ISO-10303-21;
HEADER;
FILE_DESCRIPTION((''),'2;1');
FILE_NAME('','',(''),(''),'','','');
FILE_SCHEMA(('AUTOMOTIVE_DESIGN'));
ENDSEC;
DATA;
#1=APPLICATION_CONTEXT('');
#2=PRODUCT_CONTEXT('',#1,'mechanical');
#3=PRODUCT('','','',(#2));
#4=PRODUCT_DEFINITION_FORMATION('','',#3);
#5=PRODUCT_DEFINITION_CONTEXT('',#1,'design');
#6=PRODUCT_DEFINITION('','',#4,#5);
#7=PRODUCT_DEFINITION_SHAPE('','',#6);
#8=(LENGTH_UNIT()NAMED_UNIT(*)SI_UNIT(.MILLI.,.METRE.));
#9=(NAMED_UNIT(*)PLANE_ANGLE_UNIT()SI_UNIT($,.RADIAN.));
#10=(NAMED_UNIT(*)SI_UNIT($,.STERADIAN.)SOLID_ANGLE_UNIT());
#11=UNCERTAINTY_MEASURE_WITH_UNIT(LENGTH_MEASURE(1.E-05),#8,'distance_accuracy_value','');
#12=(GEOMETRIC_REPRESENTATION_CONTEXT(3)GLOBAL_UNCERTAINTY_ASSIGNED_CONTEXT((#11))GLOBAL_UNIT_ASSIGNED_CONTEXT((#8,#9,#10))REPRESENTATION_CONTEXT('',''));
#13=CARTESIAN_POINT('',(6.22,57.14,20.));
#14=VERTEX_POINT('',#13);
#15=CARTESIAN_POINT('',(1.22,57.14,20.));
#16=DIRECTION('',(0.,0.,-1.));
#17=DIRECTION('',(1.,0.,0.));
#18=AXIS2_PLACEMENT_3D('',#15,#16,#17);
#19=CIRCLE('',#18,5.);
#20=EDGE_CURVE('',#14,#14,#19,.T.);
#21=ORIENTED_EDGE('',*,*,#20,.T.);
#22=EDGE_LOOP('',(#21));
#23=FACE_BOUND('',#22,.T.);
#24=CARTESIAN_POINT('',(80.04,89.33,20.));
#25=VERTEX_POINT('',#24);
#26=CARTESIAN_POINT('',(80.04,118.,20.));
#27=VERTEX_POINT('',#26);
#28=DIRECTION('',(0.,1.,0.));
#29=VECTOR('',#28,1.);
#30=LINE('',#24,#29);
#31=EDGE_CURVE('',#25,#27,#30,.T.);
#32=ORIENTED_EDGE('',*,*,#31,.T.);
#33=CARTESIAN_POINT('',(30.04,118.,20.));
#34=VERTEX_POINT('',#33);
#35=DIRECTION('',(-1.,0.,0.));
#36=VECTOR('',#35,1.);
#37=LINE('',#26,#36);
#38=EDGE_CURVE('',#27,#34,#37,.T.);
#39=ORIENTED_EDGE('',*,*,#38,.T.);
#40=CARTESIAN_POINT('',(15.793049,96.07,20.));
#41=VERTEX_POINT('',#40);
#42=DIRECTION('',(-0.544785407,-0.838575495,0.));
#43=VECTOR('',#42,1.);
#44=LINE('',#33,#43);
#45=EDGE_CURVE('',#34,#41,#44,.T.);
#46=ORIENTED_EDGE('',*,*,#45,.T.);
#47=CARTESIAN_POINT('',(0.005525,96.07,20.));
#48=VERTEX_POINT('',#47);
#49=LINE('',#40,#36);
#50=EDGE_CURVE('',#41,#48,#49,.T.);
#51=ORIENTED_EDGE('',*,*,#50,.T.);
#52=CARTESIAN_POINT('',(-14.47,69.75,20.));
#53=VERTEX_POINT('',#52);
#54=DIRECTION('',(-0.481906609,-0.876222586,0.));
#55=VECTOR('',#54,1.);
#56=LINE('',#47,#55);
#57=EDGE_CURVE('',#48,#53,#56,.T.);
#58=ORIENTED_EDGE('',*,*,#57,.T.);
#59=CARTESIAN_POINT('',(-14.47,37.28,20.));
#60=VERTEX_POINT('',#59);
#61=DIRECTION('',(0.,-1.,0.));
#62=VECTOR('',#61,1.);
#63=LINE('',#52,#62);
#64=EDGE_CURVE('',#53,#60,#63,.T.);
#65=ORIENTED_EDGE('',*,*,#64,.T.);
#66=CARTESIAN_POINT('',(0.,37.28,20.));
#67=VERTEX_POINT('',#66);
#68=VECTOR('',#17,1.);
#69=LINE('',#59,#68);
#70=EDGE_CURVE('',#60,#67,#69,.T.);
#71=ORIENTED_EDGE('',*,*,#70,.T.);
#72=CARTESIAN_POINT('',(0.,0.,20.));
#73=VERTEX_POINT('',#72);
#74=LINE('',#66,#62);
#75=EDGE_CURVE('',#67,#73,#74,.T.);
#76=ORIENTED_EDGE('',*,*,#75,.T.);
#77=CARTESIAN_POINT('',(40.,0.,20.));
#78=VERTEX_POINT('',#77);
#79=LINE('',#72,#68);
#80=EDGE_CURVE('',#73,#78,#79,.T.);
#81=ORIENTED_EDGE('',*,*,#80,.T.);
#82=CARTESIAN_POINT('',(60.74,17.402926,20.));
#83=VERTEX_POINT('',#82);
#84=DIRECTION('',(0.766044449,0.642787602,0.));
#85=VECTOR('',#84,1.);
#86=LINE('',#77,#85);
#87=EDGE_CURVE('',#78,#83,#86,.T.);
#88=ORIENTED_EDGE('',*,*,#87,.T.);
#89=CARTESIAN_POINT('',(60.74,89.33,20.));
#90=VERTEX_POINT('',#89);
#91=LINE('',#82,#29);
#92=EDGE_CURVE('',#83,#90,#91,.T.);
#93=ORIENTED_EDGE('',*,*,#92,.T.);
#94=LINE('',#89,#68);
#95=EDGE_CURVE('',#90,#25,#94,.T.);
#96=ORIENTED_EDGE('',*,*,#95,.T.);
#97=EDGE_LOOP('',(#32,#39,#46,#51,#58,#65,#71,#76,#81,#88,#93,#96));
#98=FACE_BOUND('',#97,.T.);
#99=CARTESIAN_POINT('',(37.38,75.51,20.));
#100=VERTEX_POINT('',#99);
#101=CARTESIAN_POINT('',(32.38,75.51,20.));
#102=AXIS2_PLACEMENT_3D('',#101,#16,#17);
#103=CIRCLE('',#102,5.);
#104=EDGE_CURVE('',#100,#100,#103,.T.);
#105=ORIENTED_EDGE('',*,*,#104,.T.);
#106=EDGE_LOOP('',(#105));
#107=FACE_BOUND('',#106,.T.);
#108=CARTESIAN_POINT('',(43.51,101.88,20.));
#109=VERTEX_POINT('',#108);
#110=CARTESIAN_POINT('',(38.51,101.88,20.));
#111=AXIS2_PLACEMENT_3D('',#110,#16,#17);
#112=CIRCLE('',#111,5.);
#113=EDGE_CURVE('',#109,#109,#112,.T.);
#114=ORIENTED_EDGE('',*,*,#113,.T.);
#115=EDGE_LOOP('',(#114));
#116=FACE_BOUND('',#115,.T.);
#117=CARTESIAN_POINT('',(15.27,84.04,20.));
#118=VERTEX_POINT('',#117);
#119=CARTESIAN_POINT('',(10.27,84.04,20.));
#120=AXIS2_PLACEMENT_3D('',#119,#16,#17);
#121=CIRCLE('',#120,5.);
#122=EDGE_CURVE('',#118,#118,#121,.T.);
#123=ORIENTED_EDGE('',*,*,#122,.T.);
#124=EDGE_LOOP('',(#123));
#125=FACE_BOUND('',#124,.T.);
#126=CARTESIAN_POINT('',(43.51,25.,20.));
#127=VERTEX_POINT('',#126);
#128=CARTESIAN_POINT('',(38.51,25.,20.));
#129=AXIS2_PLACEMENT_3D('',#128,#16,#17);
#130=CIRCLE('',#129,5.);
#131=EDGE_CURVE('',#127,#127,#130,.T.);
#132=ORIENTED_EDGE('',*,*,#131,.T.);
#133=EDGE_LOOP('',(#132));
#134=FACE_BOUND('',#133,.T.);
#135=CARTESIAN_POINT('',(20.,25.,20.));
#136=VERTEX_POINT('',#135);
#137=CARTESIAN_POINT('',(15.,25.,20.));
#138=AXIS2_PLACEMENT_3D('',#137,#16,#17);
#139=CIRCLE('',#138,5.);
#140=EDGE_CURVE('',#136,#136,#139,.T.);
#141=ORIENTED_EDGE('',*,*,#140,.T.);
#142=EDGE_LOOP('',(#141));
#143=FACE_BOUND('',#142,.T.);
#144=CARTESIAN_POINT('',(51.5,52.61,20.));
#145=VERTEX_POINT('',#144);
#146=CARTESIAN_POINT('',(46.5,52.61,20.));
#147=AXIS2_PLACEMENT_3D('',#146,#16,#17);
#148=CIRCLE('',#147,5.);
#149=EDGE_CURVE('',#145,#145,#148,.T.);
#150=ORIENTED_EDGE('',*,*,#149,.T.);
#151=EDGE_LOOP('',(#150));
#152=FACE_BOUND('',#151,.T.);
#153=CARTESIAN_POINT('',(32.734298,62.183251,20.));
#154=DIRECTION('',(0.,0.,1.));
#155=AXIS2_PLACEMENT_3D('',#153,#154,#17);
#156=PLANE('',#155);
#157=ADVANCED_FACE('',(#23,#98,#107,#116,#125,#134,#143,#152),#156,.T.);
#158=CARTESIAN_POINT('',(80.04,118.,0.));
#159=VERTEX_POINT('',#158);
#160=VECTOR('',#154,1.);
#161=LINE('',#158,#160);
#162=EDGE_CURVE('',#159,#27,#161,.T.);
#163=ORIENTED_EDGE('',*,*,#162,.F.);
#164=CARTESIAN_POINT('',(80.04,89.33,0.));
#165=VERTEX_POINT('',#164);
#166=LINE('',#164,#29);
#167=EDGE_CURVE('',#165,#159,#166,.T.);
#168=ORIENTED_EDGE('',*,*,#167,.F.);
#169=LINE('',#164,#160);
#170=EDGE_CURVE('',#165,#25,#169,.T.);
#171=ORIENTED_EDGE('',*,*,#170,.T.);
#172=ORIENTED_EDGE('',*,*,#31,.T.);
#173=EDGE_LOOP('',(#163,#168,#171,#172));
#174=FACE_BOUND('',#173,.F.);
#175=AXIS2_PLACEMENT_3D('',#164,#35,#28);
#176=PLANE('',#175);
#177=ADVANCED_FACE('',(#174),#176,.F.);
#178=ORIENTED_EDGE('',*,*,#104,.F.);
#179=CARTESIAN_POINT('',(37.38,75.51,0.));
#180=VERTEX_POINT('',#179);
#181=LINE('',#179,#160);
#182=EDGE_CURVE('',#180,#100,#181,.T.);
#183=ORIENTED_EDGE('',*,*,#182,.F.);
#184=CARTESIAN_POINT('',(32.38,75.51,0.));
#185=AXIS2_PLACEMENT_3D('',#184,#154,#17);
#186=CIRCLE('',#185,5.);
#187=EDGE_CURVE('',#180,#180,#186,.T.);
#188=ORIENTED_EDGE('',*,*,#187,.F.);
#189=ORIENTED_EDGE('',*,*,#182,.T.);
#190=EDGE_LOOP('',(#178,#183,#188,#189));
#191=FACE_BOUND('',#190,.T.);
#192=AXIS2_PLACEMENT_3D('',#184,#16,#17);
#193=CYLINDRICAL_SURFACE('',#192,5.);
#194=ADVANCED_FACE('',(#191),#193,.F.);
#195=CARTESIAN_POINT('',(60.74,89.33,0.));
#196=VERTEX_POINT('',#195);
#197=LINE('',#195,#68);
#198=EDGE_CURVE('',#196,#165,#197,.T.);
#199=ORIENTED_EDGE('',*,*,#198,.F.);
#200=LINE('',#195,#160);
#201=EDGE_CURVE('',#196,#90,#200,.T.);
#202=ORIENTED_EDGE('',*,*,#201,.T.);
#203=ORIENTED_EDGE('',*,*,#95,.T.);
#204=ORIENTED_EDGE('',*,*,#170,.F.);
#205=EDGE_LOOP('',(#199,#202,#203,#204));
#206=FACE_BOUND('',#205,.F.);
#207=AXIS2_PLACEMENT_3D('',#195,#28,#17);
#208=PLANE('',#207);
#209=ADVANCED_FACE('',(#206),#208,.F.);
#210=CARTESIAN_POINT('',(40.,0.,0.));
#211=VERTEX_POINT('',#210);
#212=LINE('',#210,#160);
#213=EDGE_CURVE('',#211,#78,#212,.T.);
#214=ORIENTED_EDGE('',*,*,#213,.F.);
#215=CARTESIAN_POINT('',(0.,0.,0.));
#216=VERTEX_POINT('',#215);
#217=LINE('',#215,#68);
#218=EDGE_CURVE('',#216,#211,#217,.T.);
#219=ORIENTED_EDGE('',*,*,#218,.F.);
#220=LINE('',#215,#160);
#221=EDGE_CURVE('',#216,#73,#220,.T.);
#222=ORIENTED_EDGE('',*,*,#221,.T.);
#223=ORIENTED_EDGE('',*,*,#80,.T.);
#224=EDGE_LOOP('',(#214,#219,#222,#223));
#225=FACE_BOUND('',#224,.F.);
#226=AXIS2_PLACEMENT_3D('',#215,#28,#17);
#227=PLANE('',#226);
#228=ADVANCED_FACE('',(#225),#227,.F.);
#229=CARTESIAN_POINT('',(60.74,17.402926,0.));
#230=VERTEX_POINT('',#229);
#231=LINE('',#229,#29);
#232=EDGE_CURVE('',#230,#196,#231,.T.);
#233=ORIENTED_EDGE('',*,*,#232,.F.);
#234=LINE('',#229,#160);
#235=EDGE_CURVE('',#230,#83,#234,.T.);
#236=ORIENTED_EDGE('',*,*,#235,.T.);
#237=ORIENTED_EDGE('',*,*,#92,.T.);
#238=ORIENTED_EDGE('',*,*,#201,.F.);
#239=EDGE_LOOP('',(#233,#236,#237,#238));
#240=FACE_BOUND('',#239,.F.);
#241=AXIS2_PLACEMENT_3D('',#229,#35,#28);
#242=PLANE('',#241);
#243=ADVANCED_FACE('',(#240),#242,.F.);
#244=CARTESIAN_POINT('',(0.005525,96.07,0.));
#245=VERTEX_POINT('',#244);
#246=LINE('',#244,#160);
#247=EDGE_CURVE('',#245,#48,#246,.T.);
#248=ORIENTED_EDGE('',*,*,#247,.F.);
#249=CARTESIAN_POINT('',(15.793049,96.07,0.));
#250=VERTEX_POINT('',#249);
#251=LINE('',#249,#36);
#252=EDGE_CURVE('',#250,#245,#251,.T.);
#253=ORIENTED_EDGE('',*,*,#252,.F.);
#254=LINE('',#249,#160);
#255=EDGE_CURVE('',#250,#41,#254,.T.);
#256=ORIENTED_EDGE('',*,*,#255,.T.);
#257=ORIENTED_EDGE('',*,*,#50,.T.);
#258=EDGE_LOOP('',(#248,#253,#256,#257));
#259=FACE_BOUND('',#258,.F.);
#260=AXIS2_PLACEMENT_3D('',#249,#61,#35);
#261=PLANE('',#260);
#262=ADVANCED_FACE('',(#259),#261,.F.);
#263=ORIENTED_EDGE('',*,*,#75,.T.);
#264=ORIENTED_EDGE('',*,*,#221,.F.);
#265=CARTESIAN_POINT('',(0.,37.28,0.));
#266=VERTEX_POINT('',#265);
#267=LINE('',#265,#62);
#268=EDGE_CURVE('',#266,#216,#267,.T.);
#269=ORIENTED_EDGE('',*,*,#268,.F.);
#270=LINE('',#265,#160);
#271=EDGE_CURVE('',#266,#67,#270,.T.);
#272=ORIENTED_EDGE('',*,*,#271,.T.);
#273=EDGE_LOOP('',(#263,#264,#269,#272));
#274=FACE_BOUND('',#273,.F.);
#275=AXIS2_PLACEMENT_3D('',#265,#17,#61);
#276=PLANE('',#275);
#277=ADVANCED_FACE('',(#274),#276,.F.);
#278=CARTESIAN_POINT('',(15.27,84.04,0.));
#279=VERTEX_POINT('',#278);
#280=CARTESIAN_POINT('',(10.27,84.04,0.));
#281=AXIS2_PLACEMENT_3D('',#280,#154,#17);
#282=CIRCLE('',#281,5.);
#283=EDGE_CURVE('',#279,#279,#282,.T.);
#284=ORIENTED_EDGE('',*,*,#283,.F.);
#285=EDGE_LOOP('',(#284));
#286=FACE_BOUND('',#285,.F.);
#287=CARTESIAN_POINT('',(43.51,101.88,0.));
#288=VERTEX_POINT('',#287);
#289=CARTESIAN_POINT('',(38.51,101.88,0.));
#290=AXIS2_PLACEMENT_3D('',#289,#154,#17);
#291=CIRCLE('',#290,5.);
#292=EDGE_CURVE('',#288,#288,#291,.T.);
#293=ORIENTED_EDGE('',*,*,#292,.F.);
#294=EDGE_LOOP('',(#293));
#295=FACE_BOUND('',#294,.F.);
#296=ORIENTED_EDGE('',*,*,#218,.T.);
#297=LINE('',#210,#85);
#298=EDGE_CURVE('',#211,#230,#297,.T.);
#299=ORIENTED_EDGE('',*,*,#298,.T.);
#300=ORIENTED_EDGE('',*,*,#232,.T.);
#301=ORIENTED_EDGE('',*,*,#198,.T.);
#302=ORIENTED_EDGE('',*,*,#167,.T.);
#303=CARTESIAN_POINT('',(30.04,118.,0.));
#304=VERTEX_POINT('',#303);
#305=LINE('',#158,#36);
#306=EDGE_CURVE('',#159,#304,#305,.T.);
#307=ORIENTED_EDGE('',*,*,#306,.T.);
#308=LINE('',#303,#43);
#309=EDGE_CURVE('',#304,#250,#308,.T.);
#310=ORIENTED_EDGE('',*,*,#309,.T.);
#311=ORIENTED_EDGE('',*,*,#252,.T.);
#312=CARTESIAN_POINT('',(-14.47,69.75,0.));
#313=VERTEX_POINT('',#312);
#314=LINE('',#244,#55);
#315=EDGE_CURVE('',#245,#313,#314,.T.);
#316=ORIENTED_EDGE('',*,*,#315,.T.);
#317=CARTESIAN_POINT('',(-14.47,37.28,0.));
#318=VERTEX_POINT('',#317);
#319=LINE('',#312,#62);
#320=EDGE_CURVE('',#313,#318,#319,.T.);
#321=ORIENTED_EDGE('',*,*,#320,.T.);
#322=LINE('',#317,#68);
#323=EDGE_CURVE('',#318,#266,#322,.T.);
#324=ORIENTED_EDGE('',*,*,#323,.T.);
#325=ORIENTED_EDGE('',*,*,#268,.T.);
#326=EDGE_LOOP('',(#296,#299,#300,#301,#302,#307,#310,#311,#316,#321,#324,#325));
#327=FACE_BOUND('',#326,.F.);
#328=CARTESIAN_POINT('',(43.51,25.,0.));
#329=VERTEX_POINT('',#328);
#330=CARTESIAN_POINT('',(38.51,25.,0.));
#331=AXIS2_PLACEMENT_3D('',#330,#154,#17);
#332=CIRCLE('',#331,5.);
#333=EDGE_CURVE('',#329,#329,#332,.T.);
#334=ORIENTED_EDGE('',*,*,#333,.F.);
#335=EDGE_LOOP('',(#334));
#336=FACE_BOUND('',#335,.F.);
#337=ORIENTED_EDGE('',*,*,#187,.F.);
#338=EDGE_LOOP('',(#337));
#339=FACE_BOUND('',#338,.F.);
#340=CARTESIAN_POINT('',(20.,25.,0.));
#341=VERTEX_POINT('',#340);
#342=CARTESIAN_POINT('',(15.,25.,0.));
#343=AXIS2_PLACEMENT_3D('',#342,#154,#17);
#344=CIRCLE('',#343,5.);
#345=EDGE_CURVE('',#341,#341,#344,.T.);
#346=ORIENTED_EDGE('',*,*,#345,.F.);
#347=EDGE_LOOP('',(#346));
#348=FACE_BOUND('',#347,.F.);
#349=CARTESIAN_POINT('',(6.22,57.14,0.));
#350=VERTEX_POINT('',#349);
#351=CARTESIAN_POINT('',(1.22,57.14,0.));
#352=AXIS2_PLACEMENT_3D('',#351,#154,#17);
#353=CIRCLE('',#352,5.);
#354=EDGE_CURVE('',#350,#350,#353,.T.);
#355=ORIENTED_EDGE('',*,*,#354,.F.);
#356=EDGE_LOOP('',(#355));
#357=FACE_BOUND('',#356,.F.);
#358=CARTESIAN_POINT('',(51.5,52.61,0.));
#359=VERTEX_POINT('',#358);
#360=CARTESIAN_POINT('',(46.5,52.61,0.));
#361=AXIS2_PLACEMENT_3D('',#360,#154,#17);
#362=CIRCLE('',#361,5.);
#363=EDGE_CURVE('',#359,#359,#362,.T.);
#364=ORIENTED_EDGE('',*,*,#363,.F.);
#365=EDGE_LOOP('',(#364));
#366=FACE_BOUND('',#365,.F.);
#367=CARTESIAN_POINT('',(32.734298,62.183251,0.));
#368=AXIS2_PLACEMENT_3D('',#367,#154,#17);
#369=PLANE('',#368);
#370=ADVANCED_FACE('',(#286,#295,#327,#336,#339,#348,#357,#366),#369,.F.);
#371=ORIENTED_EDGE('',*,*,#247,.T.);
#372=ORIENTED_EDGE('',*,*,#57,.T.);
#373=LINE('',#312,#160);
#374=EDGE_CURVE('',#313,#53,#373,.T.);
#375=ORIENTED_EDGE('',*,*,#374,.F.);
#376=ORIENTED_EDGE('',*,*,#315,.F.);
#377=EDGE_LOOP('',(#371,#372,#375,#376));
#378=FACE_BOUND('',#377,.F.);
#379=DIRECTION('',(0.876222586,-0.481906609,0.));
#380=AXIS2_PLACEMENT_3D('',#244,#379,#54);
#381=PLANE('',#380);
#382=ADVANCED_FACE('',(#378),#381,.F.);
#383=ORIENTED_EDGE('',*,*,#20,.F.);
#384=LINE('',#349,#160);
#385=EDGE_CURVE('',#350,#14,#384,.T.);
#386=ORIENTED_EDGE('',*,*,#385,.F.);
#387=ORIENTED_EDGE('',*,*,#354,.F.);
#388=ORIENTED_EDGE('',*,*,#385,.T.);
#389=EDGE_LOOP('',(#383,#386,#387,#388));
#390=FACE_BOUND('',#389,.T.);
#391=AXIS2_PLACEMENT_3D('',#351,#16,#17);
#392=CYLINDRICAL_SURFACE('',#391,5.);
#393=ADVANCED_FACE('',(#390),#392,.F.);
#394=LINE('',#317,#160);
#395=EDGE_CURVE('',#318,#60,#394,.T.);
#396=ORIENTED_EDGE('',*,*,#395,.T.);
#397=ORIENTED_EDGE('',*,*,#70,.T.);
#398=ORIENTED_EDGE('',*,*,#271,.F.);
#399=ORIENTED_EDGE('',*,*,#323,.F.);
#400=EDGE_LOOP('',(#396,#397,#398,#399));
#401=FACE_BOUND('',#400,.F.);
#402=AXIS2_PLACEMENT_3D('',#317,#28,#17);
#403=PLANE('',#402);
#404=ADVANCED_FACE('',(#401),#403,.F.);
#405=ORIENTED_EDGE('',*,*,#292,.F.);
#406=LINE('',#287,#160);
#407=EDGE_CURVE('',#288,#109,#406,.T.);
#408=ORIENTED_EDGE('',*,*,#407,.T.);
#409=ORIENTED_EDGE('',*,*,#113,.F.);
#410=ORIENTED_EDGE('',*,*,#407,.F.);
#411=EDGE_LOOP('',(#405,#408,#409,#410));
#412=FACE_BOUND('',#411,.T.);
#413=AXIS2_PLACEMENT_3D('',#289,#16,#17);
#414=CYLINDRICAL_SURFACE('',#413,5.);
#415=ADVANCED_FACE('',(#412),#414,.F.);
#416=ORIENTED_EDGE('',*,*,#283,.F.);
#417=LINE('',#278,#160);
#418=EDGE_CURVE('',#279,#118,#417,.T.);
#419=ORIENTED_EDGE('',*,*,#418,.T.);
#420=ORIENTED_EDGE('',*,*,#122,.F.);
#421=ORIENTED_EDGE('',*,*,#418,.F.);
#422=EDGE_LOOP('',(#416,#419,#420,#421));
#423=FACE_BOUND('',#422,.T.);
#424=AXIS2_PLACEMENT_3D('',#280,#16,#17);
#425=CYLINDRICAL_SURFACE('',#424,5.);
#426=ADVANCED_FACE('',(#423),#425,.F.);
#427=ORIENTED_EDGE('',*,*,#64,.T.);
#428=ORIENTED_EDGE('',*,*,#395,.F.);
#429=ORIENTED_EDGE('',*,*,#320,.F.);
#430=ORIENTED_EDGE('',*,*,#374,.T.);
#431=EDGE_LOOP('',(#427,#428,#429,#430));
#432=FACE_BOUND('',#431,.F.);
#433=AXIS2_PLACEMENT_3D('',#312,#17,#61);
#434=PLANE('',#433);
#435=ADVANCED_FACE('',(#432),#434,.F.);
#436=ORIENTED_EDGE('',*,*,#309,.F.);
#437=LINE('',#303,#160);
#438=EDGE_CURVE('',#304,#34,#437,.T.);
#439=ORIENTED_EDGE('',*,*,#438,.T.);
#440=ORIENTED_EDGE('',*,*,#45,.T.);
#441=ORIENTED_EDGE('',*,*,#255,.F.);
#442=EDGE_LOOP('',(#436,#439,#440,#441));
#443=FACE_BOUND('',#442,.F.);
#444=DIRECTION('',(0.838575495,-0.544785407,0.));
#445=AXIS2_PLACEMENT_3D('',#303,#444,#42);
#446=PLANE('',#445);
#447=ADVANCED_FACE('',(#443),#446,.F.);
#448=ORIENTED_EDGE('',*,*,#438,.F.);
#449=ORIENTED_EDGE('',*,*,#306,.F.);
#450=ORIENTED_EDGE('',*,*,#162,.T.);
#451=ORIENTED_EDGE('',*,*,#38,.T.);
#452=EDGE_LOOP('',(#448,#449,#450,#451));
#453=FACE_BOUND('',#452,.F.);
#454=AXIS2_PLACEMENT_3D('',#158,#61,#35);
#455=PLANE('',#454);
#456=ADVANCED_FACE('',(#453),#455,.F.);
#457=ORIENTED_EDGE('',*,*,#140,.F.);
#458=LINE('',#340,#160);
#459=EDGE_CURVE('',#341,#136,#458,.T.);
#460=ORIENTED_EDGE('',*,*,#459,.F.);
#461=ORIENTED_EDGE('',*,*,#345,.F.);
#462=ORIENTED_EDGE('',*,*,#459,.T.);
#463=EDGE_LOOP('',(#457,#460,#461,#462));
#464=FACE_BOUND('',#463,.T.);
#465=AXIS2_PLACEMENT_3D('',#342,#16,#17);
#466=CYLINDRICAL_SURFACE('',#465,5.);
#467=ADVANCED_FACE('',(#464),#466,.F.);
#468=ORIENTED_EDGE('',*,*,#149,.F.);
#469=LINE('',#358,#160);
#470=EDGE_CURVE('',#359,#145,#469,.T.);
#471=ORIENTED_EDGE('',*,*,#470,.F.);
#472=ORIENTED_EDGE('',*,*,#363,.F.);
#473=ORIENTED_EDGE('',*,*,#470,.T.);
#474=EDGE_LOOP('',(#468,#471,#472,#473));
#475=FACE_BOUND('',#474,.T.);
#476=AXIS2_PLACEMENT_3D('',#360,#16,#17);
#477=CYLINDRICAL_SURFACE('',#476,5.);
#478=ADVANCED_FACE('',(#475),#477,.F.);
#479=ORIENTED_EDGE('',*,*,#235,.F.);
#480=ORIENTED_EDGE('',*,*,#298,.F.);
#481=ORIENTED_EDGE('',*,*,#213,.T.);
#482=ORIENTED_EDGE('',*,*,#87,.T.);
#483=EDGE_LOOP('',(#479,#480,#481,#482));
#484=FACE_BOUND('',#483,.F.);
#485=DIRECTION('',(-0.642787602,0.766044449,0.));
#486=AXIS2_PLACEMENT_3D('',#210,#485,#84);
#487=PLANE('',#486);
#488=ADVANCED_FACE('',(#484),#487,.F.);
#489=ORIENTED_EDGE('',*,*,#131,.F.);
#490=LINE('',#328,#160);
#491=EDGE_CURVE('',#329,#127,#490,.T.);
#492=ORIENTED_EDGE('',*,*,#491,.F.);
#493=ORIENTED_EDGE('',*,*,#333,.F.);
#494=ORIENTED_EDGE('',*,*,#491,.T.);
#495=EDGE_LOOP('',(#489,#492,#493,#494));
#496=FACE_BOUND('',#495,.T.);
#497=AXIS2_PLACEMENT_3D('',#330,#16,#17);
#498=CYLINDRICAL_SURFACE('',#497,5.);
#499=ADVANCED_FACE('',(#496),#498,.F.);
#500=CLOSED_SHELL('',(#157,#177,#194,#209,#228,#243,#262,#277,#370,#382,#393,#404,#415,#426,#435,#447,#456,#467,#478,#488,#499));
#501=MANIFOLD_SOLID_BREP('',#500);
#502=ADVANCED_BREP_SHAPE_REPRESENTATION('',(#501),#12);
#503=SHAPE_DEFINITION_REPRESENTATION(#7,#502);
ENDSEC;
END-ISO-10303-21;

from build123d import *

# Parameters (mm, degrees)
F1_DEPTH = 20
F2_R     = 5
F3_DEPTH = 20.001


with BuildPart() as f1:
    # F0 (on Top) → F1 (new body)
    with BuildSketch(Plane.XY):
        Polygon((0, 37.28), (0, 0), (40, 0), (60.74, 17.402926), (60.74, 89.33), (80.04, 89.33), (80.04, 118), (30.04, 118), (15.793049, 96.07), (0.005525, 96.07), (-14.47, 69.75), (-14.47, 37.28), align=None)
    extrude(amount=F1_DEPTH)

    # F2 (on Top) → F3 (cut, through all)
    with BuildSketch(Plane.XY):
        with Locations((15, 25)):
            Circle(F2_R)
        with Locations((38.51, 25)):
            Circle(F2_R)
        with Locations((46.5, 52.61)):
            Circle(F2_R)
        with Locations((1.22, 57.14)):
            Circle(F2_R)
        with Locations((32.38, 75.51)):
            Circle(F2_R)
        with Locations((10.27, 84.04)):
            Circle(F2_R)
        with Locations((38.51, 101.88)):
            Circle(F2_R)
    extrude(amount=F3_DEPTH, mode=Mode.SUBTRACT)


solid = f1.part
